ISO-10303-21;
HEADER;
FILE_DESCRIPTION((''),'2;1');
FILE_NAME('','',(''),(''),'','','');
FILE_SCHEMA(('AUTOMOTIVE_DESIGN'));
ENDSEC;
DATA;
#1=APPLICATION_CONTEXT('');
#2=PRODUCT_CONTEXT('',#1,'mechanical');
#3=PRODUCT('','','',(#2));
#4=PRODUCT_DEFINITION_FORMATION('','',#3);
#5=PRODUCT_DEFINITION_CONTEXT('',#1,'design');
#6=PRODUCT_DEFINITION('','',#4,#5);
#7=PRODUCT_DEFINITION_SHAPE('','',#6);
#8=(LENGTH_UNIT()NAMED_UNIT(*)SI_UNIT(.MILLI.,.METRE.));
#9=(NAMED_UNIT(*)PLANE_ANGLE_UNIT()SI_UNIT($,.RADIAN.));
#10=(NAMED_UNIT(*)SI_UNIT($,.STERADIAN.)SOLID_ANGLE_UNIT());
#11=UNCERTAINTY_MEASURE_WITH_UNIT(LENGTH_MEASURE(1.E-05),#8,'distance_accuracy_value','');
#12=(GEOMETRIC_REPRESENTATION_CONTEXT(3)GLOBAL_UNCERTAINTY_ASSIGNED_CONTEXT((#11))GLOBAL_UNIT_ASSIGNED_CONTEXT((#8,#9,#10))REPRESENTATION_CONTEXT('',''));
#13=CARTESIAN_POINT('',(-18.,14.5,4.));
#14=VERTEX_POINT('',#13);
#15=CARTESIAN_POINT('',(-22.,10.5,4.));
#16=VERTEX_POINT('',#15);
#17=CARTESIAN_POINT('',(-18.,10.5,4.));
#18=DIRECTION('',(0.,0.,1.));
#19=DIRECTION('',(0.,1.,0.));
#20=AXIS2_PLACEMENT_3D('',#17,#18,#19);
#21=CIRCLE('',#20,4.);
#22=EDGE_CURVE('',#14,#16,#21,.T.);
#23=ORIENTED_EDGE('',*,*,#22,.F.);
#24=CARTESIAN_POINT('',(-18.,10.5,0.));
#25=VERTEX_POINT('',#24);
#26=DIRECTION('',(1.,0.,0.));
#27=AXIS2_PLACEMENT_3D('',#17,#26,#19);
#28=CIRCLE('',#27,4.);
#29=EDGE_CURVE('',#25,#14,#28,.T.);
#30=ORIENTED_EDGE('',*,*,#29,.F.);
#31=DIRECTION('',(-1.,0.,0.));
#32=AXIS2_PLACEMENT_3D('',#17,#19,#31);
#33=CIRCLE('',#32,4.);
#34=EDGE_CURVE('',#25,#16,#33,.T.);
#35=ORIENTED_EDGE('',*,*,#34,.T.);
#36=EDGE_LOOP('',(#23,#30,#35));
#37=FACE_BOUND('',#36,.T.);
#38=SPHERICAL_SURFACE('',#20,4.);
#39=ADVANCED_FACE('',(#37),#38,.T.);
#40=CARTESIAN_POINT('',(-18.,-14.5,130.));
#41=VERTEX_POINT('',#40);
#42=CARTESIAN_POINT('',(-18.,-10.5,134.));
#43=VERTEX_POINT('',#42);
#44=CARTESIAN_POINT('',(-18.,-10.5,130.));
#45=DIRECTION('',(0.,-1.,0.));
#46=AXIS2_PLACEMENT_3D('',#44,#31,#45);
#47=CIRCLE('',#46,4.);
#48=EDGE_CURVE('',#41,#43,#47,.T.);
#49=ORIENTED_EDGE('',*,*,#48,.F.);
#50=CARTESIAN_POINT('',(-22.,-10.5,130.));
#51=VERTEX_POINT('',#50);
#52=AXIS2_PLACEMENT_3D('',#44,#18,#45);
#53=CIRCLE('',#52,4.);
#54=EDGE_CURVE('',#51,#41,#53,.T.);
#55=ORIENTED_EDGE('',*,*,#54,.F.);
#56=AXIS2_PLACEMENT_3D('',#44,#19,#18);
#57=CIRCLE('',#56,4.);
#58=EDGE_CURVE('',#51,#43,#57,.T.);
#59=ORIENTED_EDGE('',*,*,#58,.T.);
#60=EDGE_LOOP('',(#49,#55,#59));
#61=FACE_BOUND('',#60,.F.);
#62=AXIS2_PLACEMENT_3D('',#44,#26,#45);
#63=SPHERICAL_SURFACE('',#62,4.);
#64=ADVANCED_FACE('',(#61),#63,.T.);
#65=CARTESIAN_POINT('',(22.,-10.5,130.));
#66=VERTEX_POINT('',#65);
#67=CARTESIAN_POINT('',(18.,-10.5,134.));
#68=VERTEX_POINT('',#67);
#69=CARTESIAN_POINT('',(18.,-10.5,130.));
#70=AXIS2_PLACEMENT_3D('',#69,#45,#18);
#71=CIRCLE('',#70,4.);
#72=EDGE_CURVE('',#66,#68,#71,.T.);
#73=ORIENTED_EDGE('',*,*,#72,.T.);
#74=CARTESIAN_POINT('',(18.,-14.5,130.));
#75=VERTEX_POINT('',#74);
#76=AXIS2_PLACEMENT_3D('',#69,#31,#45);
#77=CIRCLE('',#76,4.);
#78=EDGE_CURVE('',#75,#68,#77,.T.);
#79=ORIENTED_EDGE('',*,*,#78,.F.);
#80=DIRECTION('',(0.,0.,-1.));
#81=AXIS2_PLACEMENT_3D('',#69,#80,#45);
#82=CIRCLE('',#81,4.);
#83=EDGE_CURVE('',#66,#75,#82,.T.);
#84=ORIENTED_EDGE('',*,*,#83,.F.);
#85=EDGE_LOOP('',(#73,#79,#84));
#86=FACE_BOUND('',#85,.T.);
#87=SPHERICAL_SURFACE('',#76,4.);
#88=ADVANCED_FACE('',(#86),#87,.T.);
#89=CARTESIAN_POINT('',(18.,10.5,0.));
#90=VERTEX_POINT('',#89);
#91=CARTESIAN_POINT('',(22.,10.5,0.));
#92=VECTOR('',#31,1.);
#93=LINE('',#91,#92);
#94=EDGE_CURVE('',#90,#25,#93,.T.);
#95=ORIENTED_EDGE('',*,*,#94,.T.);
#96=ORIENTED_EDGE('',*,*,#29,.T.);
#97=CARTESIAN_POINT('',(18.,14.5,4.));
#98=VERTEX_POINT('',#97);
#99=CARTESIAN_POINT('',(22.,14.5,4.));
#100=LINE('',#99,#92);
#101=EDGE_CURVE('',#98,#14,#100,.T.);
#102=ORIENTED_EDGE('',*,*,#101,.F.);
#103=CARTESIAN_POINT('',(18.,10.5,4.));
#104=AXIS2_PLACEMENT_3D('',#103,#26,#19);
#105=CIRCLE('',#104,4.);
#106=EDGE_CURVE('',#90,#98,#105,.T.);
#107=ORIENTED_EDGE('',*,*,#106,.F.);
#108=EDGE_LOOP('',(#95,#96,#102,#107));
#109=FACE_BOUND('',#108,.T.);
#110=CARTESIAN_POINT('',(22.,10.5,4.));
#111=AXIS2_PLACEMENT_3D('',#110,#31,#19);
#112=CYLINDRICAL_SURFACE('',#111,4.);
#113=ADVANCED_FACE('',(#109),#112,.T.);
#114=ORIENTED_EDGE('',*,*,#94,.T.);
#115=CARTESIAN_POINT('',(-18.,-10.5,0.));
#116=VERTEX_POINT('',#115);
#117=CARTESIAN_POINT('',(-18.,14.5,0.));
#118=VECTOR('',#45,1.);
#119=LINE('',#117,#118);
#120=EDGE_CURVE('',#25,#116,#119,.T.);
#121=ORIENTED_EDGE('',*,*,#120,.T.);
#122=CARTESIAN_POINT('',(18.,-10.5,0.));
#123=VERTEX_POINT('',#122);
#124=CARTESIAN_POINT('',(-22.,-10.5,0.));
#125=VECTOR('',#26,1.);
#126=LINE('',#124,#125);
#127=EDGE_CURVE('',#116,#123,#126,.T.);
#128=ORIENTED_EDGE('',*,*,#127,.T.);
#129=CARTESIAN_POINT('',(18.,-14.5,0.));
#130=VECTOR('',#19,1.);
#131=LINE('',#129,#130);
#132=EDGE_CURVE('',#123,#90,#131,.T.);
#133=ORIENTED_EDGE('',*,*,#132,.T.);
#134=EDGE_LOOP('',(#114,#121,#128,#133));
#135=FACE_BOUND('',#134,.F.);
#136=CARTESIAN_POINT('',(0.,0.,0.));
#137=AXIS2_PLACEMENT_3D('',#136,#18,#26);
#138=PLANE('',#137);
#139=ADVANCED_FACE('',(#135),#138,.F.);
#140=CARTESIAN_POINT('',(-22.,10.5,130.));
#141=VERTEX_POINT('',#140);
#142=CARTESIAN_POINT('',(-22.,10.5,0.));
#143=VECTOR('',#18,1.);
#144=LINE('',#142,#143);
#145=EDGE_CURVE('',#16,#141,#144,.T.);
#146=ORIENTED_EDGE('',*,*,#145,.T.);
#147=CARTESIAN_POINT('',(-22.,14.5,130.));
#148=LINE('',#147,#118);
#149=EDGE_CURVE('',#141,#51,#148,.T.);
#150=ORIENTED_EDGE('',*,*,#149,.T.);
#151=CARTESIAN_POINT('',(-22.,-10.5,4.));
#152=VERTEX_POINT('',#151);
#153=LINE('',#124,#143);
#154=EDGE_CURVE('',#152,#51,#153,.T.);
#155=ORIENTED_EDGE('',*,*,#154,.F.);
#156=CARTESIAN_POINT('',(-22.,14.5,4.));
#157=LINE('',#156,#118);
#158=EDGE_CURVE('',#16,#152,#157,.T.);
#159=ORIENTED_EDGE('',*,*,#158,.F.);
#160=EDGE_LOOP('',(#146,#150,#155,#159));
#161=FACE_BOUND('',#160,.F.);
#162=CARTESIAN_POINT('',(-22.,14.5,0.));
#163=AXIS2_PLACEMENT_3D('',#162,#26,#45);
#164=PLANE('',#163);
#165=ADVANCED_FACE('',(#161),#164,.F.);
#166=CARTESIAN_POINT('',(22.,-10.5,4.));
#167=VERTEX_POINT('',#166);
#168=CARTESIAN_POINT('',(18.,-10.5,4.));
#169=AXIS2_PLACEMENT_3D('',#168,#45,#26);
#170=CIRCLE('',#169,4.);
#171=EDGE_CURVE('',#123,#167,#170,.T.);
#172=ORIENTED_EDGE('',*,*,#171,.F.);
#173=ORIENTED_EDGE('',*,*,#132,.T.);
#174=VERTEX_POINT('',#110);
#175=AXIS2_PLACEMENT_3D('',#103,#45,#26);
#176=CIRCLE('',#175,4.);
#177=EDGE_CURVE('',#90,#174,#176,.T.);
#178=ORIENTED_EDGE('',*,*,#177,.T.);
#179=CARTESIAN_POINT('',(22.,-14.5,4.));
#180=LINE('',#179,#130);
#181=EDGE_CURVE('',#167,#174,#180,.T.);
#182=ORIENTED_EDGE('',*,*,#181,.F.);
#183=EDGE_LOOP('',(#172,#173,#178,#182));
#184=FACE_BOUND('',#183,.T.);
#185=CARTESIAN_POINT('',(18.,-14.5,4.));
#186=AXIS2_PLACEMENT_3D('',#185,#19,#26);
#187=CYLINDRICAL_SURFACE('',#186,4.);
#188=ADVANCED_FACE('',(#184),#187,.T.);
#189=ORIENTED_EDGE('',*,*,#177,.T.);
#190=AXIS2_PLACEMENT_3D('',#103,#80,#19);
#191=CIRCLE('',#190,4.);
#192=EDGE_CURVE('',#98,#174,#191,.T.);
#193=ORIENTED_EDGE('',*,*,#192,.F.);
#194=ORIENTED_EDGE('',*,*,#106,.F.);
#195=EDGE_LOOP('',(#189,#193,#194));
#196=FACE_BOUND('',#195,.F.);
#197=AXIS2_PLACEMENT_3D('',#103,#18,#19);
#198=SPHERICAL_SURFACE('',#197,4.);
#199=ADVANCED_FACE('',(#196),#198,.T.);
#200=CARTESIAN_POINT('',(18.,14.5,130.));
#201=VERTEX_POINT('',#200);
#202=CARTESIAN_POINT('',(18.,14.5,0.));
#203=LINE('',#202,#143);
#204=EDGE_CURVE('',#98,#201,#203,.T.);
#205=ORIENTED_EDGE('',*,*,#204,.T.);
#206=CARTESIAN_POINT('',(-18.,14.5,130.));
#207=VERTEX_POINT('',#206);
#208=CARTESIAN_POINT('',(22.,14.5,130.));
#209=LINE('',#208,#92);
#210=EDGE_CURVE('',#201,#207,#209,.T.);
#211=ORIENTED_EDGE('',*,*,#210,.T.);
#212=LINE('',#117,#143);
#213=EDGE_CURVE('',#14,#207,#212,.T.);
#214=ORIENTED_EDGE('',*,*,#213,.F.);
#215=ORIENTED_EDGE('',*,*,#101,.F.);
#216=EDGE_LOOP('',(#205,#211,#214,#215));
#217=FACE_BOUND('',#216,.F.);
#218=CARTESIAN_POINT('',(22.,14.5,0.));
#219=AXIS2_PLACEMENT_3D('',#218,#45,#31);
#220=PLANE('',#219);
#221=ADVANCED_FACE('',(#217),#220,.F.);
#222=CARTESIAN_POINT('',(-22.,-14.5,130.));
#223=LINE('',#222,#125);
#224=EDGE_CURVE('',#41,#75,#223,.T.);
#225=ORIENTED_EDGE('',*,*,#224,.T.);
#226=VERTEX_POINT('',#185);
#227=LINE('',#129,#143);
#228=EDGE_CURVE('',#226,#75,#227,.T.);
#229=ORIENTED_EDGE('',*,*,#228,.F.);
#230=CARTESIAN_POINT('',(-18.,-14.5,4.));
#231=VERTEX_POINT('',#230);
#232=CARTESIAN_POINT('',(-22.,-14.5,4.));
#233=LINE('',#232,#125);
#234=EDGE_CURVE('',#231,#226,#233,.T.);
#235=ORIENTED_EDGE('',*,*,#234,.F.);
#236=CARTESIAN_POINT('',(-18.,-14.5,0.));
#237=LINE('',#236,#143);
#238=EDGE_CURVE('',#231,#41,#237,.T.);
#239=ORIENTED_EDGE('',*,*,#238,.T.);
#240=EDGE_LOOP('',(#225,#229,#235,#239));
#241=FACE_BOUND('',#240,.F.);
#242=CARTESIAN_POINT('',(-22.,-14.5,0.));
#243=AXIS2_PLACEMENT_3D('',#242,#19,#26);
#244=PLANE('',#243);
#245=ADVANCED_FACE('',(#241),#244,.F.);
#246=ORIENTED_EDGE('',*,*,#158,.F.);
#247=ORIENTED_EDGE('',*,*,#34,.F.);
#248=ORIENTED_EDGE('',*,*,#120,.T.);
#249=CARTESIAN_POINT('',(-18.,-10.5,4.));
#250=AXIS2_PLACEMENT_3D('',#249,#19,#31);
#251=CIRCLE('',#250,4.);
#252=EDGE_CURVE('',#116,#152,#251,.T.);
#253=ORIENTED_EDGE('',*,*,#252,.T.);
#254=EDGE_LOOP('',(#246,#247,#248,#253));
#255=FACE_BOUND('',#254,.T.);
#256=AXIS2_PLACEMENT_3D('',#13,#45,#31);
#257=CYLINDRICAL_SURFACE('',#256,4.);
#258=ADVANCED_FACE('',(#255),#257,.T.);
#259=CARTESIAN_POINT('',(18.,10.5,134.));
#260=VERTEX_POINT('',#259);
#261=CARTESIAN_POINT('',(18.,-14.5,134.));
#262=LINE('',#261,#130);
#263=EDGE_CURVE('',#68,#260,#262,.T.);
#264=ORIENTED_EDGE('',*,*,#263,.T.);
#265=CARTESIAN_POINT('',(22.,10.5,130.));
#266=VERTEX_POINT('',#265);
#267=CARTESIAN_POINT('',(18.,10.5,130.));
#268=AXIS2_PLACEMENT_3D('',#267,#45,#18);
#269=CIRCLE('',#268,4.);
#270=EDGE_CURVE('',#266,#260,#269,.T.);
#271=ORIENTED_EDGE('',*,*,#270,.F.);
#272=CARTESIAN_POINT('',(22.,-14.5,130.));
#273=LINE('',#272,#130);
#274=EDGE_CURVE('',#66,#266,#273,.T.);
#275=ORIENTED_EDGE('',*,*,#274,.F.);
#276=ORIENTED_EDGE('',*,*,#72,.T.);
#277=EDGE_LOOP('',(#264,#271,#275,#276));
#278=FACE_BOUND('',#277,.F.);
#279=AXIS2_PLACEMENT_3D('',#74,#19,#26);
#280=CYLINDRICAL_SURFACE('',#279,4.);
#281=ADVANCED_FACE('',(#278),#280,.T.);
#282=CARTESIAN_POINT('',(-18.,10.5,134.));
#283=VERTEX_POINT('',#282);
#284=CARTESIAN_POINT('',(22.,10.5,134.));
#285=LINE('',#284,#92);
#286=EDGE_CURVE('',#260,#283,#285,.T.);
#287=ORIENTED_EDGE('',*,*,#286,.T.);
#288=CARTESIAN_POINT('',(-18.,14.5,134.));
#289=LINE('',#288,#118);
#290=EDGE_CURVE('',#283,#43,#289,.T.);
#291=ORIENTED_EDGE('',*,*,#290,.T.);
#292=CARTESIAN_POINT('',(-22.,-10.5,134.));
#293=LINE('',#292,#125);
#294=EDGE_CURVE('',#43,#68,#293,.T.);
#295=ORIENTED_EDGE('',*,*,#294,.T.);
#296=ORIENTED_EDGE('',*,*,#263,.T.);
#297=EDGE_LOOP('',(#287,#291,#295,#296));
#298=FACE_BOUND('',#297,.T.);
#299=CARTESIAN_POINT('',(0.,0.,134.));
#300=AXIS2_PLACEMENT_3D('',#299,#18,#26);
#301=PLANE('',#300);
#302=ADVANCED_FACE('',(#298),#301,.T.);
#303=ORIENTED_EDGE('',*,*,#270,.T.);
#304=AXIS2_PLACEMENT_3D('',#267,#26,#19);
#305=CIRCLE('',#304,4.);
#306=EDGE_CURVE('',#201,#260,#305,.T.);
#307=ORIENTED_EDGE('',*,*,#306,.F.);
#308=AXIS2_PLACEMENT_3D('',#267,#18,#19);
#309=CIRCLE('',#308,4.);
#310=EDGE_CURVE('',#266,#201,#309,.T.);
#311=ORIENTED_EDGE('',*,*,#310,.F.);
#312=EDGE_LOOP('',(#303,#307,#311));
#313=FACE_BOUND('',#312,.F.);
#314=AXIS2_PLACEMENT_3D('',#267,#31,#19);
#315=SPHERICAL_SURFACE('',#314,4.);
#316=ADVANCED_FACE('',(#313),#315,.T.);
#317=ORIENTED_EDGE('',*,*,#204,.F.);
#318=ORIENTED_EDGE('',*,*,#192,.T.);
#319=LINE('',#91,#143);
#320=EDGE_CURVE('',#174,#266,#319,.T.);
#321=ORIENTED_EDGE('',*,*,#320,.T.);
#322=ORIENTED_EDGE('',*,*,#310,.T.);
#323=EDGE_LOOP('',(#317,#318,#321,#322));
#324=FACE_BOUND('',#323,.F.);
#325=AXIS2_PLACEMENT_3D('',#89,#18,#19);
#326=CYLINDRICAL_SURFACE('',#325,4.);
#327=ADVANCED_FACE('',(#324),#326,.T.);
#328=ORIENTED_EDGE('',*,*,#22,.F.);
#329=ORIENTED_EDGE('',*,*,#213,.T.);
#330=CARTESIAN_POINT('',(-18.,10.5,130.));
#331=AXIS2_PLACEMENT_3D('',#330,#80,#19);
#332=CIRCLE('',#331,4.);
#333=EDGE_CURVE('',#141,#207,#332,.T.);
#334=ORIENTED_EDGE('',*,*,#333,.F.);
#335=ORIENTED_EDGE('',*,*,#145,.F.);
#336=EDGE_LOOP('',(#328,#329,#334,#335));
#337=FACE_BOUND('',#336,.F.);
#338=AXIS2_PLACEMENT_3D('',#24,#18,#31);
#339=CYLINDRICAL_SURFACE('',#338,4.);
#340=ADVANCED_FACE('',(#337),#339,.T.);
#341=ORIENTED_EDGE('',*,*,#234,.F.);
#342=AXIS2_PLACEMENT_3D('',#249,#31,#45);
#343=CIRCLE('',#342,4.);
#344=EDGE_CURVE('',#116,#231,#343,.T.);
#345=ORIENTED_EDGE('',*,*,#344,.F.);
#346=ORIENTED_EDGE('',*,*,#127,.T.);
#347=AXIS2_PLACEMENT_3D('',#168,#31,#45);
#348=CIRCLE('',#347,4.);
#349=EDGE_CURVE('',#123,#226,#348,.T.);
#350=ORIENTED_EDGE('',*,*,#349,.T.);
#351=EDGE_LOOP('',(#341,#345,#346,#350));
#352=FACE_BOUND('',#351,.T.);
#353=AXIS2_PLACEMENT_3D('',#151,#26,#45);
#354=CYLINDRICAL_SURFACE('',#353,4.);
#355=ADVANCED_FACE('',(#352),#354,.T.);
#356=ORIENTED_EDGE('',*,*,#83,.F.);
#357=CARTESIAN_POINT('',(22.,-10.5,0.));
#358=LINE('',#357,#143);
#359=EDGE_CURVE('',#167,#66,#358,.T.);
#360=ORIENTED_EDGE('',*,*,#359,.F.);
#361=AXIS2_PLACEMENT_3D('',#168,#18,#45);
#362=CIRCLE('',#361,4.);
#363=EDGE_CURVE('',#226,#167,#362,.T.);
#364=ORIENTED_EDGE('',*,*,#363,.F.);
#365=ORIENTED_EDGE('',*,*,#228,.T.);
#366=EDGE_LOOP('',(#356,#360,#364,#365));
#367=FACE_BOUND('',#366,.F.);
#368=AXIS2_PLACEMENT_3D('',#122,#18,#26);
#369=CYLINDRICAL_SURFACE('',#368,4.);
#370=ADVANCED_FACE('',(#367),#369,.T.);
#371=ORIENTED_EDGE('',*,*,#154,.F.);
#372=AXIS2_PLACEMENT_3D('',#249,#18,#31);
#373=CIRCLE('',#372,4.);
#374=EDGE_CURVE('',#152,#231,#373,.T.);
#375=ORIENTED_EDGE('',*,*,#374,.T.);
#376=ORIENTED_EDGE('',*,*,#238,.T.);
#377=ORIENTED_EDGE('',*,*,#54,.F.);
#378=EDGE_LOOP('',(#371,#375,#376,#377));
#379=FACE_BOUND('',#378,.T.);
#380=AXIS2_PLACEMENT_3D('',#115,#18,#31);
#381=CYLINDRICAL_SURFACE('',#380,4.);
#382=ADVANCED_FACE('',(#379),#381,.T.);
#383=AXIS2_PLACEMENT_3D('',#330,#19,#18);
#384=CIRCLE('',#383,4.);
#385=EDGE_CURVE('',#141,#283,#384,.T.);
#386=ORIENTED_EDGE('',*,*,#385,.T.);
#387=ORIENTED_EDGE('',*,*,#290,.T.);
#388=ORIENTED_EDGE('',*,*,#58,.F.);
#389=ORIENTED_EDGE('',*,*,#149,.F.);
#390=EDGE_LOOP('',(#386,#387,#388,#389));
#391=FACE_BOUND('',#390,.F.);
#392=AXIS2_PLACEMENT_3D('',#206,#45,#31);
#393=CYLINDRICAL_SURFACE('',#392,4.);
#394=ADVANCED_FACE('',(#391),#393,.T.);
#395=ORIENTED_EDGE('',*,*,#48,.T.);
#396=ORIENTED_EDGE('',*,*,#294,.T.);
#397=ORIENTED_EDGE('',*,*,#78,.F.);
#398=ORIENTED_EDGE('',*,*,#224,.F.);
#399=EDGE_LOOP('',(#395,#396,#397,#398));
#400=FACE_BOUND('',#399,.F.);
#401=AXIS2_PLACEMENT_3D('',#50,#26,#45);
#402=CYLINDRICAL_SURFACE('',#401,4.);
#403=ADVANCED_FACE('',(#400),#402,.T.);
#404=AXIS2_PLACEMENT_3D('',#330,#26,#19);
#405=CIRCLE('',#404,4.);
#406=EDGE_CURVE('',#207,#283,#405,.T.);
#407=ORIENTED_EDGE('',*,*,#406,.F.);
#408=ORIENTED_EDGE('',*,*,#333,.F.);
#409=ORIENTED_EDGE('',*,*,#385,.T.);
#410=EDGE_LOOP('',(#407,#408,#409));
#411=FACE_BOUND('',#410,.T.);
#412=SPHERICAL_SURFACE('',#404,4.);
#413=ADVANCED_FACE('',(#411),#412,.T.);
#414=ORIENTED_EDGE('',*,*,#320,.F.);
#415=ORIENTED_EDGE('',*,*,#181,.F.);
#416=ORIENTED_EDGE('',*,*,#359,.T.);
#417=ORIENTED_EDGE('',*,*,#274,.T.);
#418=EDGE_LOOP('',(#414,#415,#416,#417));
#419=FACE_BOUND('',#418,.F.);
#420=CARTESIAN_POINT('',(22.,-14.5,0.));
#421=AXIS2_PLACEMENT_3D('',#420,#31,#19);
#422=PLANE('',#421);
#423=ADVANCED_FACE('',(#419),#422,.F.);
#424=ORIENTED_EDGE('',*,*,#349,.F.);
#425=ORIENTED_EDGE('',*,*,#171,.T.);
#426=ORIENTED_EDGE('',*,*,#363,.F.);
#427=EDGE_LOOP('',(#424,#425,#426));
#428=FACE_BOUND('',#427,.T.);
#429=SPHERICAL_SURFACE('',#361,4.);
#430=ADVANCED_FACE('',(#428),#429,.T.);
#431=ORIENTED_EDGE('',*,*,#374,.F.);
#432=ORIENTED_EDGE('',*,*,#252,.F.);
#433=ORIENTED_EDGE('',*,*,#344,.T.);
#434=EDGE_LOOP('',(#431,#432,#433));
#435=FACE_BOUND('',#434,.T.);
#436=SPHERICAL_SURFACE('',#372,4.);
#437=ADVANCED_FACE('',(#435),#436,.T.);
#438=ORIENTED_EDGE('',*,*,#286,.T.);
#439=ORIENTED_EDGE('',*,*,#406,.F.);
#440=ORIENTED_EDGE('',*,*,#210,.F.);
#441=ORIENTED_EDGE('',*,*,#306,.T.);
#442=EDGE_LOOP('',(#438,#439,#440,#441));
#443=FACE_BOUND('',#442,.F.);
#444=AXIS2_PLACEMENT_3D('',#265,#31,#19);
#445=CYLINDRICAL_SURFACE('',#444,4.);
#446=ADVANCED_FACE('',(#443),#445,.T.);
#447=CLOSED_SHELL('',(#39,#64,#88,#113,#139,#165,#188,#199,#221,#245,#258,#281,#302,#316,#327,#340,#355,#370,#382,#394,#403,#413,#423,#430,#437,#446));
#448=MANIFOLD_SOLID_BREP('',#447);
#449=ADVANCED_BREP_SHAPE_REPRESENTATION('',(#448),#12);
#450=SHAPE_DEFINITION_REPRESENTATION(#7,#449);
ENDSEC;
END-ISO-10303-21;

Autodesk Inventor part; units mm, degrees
ref_plane "YZ Plane" through (0, 0, 0) normal (1, 0, 0) x (0, 1, 0)
ref_plane "XZ Plane" through (0, 0, 0) normal (0, 1, 0) x (-1, 0, 0)
ref_plane "XY Plane" through (0, 0, 0) normal (0, 0, 1) x (1, 0, 0)
sketch "Sketch1" plane through (0, 0, 0) normal (0, 0, 1) x (1, 0, 0)
  line L0 (-22, -14.5) -> (22, -14.5)
  line L1 (22, -14.5) -> (22, 14.5)
  line L2 (22, 14.5) -> (-22, 14.5)
  line L3 (-22, 14.5) -> (-22, -14.5)
  line L4 (-22, -14.5) -> (22, 14.5) construction
  line L5 (22, -14.5) -> (-22, 14.5) construction
  point P0 (0, 0)
  dimension "d0" = 44
  dimension "d1" = 29
extrude "Extrusion1" add sketch "Sketch1" along normal blind 134
fillet "Fillet1" radius 4 12 edges at (0, 14.5, 134) (-22, 14.5, 67) (22, 14.5, 67) (0, -14.5, 134) (22, -14.5, 67) (-22, -14.5, 67) (0, 14.5, 0) (-22, 0, 0) (0, -14.5, 0) (22, 0, 0) (22, 0, 134) (-22, 0, 134)
properties part number "battery_vant_4500_4s"
